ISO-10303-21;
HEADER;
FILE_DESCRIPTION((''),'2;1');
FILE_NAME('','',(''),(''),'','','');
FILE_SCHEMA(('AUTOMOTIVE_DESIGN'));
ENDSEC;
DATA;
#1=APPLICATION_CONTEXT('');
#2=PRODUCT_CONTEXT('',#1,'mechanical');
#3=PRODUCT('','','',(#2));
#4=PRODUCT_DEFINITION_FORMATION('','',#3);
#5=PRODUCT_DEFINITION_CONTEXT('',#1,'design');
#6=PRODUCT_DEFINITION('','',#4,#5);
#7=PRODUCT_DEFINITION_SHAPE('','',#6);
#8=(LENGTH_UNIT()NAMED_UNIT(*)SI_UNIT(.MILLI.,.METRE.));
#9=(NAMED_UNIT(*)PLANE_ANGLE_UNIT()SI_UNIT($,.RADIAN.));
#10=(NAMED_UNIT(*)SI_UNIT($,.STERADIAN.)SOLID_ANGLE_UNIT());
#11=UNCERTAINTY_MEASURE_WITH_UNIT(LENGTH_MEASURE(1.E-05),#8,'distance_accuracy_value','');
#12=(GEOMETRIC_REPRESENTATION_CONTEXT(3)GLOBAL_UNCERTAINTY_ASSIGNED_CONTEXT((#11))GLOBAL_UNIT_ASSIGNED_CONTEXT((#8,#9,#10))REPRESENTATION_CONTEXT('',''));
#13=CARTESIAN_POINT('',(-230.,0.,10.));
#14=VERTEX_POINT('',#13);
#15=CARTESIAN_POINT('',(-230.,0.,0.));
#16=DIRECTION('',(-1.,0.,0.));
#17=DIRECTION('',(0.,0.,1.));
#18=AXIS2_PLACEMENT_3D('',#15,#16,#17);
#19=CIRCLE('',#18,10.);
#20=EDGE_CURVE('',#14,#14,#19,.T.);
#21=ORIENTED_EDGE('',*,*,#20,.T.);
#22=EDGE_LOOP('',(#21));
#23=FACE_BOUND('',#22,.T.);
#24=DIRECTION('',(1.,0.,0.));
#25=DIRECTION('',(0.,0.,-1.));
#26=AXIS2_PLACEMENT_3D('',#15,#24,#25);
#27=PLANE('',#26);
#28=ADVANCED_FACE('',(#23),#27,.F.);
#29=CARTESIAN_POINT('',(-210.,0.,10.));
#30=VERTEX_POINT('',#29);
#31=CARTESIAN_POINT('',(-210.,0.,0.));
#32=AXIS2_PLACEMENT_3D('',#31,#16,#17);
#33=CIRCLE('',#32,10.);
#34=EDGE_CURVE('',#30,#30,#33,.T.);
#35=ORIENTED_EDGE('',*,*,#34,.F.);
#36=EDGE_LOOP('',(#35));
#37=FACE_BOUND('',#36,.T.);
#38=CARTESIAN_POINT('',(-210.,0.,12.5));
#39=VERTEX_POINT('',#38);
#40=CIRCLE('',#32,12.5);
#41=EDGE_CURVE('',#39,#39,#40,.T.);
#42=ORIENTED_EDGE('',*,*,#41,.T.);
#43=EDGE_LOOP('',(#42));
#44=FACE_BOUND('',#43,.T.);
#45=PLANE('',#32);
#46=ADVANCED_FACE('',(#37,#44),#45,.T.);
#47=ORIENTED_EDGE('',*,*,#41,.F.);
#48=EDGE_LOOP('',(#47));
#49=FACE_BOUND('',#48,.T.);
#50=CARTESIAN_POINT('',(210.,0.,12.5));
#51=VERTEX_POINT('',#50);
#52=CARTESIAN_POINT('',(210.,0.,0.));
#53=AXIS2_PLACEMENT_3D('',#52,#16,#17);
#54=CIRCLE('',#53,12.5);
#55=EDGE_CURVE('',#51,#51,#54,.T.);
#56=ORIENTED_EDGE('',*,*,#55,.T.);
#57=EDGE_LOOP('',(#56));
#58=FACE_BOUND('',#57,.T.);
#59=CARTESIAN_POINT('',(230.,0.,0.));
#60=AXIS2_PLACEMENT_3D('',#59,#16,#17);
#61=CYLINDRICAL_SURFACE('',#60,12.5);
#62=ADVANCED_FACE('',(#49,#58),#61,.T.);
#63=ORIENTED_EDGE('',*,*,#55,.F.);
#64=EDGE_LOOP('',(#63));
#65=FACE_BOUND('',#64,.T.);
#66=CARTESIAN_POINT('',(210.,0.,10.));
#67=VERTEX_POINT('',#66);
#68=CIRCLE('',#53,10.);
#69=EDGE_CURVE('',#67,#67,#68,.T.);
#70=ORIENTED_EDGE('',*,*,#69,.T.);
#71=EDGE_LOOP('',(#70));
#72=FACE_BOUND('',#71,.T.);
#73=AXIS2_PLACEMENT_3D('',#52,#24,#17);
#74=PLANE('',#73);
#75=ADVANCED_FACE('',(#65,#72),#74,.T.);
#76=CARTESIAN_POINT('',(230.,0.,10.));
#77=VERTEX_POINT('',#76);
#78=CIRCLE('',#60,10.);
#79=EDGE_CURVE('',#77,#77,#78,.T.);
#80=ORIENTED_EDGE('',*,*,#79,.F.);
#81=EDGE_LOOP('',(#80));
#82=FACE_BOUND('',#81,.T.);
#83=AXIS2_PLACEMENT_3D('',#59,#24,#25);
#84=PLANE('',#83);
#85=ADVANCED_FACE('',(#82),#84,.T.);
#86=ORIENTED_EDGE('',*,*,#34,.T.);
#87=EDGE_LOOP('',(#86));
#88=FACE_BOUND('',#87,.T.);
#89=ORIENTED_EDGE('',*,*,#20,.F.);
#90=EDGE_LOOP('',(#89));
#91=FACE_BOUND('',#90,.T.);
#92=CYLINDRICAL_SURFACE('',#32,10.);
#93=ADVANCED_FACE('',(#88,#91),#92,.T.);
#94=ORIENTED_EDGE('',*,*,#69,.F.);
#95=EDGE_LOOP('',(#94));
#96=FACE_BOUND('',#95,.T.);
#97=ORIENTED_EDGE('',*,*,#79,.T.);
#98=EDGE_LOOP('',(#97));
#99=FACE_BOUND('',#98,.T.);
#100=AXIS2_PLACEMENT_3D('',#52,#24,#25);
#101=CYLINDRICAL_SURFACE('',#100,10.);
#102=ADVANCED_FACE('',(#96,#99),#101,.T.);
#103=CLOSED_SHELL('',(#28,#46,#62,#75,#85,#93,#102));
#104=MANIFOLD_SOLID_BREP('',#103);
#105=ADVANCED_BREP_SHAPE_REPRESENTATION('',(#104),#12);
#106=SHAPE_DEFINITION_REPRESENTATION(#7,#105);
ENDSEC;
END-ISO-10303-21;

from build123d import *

# Parameters (mm, degrees)
SKETCH1_R           = 12.5
BOSS_EXTRUDE1_DEPTH = 230
SKETCH2_R           = 12.5
SKETCH2_R_2         = 10
CUT_EXTRUDE1_DEPTH  = 20


with BuildPart() as part:
    # Sketch1 → Boss-Extrude1 (new body, symmetric)
    with BuildSketch(Plane(origin=(0, 0, 0), x_dir=(0, 0, -1), z_dir=(1, 0, 0))):
        Circle(SKETCH1_R)
    extrude(amount=BOSS_EXTRUDE1_DEPTH, both=True)

    # Sketch2 → Cut-Extrude1 (cut)
    with BuildSketch(Plane.ZY.offset(230)):
        Circle(SKETCH2_R)
        Circle(SKETCH2_R_2, mode=Mode.SUBTRACT)
    cut_extrude1 = extrude(amount=-CUT_EXTRUDE1_DEPTH, mode=Mode.SUBTRACT)

    # Mirror1: Cut-Extrude1 across plane
    add(cut_extrude1.mirror(Plane(origin=(0, 0, 0), x_dir=(0, 0, 1), z_dir=(1, 0, 0))), mode=Mode.SUBTRACT)


solid = part.part
